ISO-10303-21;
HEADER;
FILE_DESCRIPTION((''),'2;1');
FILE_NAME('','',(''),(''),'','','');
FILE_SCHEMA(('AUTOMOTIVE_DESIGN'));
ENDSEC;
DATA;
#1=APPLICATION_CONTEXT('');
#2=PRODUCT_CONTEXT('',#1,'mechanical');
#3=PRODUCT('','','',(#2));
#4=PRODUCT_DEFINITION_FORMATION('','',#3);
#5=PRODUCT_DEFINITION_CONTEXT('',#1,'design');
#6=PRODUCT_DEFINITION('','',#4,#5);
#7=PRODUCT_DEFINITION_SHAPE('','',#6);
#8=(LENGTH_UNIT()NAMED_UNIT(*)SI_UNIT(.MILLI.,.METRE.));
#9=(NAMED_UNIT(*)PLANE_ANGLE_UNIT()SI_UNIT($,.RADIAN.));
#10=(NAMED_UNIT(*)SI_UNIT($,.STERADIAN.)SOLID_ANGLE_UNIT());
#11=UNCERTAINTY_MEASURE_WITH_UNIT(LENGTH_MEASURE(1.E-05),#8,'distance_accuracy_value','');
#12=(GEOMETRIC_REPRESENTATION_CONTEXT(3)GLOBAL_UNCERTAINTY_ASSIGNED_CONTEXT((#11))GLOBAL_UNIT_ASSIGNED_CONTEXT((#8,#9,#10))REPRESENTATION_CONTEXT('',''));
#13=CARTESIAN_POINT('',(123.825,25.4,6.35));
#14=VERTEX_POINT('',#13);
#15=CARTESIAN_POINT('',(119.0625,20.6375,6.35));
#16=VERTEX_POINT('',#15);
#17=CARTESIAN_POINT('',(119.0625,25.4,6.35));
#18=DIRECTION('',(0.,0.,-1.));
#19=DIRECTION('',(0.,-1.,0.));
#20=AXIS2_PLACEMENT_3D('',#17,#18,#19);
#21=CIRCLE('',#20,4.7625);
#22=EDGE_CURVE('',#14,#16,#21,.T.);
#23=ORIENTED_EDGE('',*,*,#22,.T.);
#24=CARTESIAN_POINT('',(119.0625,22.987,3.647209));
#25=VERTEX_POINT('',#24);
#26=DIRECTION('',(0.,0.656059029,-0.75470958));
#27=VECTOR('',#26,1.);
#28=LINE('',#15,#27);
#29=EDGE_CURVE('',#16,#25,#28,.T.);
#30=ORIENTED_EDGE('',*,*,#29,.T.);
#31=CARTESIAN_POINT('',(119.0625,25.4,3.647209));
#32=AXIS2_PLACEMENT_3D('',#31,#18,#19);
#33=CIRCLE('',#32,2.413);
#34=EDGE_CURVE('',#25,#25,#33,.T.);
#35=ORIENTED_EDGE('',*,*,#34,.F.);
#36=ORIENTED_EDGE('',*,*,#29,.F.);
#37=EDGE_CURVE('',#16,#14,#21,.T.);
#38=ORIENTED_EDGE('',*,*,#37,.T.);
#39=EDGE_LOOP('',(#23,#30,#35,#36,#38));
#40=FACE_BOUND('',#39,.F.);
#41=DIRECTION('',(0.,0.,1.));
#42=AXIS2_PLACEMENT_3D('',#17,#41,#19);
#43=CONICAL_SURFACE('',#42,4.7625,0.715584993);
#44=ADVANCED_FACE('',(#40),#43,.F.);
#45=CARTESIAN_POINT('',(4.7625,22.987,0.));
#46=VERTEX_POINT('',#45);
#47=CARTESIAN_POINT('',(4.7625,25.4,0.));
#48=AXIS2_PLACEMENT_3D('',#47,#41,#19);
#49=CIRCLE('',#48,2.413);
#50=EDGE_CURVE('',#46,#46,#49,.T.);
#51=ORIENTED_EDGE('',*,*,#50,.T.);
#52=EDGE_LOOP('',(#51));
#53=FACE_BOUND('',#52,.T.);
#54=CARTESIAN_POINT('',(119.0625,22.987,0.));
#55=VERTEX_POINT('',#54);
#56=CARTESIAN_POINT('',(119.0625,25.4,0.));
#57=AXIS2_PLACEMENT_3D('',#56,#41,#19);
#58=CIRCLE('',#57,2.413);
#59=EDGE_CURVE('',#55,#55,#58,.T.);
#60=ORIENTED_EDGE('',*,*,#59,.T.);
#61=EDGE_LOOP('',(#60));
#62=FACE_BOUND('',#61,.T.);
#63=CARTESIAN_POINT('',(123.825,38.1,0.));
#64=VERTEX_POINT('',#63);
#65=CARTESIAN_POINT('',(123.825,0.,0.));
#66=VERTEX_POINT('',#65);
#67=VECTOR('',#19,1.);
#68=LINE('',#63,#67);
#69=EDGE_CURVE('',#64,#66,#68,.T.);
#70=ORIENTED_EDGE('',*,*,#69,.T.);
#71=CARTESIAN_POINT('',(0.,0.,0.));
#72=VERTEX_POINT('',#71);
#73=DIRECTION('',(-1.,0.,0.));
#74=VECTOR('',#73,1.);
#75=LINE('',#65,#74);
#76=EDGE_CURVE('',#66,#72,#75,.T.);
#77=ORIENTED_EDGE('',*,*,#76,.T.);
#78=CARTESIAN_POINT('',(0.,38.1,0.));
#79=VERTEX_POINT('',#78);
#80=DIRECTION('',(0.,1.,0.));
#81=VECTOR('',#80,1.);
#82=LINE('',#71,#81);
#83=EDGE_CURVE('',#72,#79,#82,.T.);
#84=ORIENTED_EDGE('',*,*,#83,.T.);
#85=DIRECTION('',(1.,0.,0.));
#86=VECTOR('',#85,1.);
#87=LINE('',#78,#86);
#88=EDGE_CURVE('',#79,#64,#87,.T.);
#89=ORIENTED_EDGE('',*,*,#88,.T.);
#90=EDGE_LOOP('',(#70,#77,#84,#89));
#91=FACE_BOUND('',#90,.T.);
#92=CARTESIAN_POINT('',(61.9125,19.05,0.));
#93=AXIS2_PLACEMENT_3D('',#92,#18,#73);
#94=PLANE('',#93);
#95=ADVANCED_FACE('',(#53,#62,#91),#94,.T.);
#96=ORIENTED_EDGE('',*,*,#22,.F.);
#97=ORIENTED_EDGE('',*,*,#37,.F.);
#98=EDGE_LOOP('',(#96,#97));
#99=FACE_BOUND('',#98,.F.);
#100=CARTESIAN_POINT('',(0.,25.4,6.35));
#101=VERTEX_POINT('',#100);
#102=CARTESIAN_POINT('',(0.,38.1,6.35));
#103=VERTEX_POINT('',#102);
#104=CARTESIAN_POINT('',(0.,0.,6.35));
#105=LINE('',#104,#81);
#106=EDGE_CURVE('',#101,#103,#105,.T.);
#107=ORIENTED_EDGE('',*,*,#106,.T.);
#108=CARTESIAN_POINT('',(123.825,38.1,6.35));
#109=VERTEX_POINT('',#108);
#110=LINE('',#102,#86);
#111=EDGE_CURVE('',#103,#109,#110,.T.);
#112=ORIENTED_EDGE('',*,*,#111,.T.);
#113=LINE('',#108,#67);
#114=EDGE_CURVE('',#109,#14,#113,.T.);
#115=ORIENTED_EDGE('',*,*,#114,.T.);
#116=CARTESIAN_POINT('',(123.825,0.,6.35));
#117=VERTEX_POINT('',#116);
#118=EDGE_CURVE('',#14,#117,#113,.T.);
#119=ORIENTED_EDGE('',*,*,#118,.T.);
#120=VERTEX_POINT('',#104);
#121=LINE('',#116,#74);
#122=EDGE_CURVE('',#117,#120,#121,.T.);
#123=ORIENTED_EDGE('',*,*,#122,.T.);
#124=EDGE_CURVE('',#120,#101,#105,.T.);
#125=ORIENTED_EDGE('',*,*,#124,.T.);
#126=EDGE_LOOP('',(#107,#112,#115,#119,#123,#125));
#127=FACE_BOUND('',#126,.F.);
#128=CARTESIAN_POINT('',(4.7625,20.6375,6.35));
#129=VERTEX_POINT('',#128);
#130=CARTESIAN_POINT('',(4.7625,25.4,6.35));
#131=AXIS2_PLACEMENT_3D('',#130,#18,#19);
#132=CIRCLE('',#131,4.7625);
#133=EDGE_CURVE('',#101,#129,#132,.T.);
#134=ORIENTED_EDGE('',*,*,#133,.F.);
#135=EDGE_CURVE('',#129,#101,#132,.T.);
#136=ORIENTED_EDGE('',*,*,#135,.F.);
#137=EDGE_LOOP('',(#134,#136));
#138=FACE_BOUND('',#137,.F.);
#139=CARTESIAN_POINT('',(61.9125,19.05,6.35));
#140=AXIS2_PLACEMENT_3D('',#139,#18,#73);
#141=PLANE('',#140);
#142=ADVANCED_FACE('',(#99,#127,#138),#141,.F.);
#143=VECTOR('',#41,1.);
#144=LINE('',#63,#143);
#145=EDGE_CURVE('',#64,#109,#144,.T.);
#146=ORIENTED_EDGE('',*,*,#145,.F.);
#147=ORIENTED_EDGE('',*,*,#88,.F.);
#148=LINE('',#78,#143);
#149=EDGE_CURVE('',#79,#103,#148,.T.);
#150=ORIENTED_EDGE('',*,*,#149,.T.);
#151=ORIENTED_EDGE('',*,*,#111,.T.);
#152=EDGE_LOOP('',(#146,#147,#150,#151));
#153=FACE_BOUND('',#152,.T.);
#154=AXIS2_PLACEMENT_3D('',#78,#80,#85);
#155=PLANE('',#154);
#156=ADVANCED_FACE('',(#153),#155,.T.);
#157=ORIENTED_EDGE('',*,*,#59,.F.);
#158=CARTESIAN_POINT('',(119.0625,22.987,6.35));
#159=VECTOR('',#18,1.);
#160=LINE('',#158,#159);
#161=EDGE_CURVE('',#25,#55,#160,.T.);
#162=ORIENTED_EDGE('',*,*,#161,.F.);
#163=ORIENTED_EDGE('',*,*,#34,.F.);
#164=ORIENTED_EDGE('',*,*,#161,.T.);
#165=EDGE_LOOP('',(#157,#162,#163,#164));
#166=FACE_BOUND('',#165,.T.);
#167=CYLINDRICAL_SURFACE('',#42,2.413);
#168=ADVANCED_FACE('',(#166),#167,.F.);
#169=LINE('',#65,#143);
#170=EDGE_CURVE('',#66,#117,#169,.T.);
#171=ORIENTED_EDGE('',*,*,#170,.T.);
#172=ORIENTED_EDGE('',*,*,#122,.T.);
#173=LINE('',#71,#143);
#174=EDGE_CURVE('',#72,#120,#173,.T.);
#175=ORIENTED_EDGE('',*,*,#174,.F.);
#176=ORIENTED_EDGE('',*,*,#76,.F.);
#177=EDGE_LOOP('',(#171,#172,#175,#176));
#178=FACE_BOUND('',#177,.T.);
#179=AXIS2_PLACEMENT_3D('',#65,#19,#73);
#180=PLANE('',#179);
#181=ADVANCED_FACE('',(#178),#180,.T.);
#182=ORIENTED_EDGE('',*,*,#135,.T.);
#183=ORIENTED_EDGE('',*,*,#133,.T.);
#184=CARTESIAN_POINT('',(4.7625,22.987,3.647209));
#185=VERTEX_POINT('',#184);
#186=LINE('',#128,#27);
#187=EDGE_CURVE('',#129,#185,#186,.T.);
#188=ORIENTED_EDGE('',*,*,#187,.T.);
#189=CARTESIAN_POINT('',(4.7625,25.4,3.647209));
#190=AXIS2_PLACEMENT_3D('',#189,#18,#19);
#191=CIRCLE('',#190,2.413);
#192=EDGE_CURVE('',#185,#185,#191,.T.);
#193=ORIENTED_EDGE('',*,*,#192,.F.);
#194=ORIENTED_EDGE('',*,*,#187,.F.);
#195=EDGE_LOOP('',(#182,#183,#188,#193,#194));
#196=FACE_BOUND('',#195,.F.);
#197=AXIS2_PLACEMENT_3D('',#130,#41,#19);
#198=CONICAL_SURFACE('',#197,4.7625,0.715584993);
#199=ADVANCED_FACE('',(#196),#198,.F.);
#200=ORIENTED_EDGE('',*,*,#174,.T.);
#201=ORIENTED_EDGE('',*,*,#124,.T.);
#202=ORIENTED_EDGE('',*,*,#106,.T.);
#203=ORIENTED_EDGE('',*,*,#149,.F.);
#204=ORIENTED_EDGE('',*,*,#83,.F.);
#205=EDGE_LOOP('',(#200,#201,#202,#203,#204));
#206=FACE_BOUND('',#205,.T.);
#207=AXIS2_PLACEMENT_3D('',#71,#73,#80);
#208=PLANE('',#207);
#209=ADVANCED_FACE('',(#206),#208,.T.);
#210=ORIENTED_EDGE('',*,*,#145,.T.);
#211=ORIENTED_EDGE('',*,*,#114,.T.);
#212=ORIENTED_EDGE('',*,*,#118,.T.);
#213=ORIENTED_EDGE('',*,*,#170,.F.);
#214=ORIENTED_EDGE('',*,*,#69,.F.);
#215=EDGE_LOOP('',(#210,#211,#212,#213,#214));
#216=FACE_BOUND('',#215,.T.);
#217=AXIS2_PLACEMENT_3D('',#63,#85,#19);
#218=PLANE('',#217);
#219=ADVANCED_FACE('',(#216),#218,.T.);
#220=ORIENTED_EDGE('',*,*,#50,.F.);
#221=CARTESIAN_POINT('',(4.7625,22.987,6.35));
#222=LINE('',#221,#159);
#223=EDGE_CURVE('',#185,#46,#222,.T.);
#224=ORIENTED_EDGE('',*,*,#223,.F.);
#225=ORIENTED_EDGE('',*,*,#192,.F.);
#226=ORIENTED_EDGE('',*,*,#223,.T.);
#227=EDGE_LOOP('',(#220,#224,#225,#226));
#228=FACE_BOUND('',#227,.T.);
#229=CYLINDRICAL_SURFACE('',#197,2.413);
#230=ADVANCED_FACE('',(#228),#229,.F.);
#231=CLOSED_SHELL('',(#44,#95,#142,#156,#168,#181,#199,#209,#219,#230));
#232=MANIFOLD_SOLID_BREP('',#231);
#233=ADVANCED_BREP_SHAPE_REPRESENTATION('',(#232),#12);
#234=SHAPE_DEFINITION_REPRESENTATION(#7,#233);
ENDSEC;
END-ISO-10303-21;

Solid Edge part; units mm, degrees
sketch "Sketch1" plane through (0, 0, 0) normal (0, 0, 1) x (1, 0, 0)
  line L0 (0, 0) -> (0, 38.1)
  line L1 (0, 38.1) -> (123.825, 38.1)
  line L2 (123.825, 38.1) -> (123.825, 0)
  line L3 (123.825, 0) -> (0, 0)
  dimension "D1" = 123.825
  dimension "D2" = 38.1
extrude "Protrusion1" add sketch "Sketch1" along normal blind 6.35
hole "Hole_1" at (119.0625, 25.4, 6.35) direction (0, 0, -1) diameter 4.826 end up to next countersink diameter 9.525 countersink angle 82
hole "Hole1" at (4.7625, 25.4, 6.35) direction (0, 0, -1) diameter 4.826 end up to next countersink diameter 9.525 countersink angle 82
properties part number "CHAS-03"
